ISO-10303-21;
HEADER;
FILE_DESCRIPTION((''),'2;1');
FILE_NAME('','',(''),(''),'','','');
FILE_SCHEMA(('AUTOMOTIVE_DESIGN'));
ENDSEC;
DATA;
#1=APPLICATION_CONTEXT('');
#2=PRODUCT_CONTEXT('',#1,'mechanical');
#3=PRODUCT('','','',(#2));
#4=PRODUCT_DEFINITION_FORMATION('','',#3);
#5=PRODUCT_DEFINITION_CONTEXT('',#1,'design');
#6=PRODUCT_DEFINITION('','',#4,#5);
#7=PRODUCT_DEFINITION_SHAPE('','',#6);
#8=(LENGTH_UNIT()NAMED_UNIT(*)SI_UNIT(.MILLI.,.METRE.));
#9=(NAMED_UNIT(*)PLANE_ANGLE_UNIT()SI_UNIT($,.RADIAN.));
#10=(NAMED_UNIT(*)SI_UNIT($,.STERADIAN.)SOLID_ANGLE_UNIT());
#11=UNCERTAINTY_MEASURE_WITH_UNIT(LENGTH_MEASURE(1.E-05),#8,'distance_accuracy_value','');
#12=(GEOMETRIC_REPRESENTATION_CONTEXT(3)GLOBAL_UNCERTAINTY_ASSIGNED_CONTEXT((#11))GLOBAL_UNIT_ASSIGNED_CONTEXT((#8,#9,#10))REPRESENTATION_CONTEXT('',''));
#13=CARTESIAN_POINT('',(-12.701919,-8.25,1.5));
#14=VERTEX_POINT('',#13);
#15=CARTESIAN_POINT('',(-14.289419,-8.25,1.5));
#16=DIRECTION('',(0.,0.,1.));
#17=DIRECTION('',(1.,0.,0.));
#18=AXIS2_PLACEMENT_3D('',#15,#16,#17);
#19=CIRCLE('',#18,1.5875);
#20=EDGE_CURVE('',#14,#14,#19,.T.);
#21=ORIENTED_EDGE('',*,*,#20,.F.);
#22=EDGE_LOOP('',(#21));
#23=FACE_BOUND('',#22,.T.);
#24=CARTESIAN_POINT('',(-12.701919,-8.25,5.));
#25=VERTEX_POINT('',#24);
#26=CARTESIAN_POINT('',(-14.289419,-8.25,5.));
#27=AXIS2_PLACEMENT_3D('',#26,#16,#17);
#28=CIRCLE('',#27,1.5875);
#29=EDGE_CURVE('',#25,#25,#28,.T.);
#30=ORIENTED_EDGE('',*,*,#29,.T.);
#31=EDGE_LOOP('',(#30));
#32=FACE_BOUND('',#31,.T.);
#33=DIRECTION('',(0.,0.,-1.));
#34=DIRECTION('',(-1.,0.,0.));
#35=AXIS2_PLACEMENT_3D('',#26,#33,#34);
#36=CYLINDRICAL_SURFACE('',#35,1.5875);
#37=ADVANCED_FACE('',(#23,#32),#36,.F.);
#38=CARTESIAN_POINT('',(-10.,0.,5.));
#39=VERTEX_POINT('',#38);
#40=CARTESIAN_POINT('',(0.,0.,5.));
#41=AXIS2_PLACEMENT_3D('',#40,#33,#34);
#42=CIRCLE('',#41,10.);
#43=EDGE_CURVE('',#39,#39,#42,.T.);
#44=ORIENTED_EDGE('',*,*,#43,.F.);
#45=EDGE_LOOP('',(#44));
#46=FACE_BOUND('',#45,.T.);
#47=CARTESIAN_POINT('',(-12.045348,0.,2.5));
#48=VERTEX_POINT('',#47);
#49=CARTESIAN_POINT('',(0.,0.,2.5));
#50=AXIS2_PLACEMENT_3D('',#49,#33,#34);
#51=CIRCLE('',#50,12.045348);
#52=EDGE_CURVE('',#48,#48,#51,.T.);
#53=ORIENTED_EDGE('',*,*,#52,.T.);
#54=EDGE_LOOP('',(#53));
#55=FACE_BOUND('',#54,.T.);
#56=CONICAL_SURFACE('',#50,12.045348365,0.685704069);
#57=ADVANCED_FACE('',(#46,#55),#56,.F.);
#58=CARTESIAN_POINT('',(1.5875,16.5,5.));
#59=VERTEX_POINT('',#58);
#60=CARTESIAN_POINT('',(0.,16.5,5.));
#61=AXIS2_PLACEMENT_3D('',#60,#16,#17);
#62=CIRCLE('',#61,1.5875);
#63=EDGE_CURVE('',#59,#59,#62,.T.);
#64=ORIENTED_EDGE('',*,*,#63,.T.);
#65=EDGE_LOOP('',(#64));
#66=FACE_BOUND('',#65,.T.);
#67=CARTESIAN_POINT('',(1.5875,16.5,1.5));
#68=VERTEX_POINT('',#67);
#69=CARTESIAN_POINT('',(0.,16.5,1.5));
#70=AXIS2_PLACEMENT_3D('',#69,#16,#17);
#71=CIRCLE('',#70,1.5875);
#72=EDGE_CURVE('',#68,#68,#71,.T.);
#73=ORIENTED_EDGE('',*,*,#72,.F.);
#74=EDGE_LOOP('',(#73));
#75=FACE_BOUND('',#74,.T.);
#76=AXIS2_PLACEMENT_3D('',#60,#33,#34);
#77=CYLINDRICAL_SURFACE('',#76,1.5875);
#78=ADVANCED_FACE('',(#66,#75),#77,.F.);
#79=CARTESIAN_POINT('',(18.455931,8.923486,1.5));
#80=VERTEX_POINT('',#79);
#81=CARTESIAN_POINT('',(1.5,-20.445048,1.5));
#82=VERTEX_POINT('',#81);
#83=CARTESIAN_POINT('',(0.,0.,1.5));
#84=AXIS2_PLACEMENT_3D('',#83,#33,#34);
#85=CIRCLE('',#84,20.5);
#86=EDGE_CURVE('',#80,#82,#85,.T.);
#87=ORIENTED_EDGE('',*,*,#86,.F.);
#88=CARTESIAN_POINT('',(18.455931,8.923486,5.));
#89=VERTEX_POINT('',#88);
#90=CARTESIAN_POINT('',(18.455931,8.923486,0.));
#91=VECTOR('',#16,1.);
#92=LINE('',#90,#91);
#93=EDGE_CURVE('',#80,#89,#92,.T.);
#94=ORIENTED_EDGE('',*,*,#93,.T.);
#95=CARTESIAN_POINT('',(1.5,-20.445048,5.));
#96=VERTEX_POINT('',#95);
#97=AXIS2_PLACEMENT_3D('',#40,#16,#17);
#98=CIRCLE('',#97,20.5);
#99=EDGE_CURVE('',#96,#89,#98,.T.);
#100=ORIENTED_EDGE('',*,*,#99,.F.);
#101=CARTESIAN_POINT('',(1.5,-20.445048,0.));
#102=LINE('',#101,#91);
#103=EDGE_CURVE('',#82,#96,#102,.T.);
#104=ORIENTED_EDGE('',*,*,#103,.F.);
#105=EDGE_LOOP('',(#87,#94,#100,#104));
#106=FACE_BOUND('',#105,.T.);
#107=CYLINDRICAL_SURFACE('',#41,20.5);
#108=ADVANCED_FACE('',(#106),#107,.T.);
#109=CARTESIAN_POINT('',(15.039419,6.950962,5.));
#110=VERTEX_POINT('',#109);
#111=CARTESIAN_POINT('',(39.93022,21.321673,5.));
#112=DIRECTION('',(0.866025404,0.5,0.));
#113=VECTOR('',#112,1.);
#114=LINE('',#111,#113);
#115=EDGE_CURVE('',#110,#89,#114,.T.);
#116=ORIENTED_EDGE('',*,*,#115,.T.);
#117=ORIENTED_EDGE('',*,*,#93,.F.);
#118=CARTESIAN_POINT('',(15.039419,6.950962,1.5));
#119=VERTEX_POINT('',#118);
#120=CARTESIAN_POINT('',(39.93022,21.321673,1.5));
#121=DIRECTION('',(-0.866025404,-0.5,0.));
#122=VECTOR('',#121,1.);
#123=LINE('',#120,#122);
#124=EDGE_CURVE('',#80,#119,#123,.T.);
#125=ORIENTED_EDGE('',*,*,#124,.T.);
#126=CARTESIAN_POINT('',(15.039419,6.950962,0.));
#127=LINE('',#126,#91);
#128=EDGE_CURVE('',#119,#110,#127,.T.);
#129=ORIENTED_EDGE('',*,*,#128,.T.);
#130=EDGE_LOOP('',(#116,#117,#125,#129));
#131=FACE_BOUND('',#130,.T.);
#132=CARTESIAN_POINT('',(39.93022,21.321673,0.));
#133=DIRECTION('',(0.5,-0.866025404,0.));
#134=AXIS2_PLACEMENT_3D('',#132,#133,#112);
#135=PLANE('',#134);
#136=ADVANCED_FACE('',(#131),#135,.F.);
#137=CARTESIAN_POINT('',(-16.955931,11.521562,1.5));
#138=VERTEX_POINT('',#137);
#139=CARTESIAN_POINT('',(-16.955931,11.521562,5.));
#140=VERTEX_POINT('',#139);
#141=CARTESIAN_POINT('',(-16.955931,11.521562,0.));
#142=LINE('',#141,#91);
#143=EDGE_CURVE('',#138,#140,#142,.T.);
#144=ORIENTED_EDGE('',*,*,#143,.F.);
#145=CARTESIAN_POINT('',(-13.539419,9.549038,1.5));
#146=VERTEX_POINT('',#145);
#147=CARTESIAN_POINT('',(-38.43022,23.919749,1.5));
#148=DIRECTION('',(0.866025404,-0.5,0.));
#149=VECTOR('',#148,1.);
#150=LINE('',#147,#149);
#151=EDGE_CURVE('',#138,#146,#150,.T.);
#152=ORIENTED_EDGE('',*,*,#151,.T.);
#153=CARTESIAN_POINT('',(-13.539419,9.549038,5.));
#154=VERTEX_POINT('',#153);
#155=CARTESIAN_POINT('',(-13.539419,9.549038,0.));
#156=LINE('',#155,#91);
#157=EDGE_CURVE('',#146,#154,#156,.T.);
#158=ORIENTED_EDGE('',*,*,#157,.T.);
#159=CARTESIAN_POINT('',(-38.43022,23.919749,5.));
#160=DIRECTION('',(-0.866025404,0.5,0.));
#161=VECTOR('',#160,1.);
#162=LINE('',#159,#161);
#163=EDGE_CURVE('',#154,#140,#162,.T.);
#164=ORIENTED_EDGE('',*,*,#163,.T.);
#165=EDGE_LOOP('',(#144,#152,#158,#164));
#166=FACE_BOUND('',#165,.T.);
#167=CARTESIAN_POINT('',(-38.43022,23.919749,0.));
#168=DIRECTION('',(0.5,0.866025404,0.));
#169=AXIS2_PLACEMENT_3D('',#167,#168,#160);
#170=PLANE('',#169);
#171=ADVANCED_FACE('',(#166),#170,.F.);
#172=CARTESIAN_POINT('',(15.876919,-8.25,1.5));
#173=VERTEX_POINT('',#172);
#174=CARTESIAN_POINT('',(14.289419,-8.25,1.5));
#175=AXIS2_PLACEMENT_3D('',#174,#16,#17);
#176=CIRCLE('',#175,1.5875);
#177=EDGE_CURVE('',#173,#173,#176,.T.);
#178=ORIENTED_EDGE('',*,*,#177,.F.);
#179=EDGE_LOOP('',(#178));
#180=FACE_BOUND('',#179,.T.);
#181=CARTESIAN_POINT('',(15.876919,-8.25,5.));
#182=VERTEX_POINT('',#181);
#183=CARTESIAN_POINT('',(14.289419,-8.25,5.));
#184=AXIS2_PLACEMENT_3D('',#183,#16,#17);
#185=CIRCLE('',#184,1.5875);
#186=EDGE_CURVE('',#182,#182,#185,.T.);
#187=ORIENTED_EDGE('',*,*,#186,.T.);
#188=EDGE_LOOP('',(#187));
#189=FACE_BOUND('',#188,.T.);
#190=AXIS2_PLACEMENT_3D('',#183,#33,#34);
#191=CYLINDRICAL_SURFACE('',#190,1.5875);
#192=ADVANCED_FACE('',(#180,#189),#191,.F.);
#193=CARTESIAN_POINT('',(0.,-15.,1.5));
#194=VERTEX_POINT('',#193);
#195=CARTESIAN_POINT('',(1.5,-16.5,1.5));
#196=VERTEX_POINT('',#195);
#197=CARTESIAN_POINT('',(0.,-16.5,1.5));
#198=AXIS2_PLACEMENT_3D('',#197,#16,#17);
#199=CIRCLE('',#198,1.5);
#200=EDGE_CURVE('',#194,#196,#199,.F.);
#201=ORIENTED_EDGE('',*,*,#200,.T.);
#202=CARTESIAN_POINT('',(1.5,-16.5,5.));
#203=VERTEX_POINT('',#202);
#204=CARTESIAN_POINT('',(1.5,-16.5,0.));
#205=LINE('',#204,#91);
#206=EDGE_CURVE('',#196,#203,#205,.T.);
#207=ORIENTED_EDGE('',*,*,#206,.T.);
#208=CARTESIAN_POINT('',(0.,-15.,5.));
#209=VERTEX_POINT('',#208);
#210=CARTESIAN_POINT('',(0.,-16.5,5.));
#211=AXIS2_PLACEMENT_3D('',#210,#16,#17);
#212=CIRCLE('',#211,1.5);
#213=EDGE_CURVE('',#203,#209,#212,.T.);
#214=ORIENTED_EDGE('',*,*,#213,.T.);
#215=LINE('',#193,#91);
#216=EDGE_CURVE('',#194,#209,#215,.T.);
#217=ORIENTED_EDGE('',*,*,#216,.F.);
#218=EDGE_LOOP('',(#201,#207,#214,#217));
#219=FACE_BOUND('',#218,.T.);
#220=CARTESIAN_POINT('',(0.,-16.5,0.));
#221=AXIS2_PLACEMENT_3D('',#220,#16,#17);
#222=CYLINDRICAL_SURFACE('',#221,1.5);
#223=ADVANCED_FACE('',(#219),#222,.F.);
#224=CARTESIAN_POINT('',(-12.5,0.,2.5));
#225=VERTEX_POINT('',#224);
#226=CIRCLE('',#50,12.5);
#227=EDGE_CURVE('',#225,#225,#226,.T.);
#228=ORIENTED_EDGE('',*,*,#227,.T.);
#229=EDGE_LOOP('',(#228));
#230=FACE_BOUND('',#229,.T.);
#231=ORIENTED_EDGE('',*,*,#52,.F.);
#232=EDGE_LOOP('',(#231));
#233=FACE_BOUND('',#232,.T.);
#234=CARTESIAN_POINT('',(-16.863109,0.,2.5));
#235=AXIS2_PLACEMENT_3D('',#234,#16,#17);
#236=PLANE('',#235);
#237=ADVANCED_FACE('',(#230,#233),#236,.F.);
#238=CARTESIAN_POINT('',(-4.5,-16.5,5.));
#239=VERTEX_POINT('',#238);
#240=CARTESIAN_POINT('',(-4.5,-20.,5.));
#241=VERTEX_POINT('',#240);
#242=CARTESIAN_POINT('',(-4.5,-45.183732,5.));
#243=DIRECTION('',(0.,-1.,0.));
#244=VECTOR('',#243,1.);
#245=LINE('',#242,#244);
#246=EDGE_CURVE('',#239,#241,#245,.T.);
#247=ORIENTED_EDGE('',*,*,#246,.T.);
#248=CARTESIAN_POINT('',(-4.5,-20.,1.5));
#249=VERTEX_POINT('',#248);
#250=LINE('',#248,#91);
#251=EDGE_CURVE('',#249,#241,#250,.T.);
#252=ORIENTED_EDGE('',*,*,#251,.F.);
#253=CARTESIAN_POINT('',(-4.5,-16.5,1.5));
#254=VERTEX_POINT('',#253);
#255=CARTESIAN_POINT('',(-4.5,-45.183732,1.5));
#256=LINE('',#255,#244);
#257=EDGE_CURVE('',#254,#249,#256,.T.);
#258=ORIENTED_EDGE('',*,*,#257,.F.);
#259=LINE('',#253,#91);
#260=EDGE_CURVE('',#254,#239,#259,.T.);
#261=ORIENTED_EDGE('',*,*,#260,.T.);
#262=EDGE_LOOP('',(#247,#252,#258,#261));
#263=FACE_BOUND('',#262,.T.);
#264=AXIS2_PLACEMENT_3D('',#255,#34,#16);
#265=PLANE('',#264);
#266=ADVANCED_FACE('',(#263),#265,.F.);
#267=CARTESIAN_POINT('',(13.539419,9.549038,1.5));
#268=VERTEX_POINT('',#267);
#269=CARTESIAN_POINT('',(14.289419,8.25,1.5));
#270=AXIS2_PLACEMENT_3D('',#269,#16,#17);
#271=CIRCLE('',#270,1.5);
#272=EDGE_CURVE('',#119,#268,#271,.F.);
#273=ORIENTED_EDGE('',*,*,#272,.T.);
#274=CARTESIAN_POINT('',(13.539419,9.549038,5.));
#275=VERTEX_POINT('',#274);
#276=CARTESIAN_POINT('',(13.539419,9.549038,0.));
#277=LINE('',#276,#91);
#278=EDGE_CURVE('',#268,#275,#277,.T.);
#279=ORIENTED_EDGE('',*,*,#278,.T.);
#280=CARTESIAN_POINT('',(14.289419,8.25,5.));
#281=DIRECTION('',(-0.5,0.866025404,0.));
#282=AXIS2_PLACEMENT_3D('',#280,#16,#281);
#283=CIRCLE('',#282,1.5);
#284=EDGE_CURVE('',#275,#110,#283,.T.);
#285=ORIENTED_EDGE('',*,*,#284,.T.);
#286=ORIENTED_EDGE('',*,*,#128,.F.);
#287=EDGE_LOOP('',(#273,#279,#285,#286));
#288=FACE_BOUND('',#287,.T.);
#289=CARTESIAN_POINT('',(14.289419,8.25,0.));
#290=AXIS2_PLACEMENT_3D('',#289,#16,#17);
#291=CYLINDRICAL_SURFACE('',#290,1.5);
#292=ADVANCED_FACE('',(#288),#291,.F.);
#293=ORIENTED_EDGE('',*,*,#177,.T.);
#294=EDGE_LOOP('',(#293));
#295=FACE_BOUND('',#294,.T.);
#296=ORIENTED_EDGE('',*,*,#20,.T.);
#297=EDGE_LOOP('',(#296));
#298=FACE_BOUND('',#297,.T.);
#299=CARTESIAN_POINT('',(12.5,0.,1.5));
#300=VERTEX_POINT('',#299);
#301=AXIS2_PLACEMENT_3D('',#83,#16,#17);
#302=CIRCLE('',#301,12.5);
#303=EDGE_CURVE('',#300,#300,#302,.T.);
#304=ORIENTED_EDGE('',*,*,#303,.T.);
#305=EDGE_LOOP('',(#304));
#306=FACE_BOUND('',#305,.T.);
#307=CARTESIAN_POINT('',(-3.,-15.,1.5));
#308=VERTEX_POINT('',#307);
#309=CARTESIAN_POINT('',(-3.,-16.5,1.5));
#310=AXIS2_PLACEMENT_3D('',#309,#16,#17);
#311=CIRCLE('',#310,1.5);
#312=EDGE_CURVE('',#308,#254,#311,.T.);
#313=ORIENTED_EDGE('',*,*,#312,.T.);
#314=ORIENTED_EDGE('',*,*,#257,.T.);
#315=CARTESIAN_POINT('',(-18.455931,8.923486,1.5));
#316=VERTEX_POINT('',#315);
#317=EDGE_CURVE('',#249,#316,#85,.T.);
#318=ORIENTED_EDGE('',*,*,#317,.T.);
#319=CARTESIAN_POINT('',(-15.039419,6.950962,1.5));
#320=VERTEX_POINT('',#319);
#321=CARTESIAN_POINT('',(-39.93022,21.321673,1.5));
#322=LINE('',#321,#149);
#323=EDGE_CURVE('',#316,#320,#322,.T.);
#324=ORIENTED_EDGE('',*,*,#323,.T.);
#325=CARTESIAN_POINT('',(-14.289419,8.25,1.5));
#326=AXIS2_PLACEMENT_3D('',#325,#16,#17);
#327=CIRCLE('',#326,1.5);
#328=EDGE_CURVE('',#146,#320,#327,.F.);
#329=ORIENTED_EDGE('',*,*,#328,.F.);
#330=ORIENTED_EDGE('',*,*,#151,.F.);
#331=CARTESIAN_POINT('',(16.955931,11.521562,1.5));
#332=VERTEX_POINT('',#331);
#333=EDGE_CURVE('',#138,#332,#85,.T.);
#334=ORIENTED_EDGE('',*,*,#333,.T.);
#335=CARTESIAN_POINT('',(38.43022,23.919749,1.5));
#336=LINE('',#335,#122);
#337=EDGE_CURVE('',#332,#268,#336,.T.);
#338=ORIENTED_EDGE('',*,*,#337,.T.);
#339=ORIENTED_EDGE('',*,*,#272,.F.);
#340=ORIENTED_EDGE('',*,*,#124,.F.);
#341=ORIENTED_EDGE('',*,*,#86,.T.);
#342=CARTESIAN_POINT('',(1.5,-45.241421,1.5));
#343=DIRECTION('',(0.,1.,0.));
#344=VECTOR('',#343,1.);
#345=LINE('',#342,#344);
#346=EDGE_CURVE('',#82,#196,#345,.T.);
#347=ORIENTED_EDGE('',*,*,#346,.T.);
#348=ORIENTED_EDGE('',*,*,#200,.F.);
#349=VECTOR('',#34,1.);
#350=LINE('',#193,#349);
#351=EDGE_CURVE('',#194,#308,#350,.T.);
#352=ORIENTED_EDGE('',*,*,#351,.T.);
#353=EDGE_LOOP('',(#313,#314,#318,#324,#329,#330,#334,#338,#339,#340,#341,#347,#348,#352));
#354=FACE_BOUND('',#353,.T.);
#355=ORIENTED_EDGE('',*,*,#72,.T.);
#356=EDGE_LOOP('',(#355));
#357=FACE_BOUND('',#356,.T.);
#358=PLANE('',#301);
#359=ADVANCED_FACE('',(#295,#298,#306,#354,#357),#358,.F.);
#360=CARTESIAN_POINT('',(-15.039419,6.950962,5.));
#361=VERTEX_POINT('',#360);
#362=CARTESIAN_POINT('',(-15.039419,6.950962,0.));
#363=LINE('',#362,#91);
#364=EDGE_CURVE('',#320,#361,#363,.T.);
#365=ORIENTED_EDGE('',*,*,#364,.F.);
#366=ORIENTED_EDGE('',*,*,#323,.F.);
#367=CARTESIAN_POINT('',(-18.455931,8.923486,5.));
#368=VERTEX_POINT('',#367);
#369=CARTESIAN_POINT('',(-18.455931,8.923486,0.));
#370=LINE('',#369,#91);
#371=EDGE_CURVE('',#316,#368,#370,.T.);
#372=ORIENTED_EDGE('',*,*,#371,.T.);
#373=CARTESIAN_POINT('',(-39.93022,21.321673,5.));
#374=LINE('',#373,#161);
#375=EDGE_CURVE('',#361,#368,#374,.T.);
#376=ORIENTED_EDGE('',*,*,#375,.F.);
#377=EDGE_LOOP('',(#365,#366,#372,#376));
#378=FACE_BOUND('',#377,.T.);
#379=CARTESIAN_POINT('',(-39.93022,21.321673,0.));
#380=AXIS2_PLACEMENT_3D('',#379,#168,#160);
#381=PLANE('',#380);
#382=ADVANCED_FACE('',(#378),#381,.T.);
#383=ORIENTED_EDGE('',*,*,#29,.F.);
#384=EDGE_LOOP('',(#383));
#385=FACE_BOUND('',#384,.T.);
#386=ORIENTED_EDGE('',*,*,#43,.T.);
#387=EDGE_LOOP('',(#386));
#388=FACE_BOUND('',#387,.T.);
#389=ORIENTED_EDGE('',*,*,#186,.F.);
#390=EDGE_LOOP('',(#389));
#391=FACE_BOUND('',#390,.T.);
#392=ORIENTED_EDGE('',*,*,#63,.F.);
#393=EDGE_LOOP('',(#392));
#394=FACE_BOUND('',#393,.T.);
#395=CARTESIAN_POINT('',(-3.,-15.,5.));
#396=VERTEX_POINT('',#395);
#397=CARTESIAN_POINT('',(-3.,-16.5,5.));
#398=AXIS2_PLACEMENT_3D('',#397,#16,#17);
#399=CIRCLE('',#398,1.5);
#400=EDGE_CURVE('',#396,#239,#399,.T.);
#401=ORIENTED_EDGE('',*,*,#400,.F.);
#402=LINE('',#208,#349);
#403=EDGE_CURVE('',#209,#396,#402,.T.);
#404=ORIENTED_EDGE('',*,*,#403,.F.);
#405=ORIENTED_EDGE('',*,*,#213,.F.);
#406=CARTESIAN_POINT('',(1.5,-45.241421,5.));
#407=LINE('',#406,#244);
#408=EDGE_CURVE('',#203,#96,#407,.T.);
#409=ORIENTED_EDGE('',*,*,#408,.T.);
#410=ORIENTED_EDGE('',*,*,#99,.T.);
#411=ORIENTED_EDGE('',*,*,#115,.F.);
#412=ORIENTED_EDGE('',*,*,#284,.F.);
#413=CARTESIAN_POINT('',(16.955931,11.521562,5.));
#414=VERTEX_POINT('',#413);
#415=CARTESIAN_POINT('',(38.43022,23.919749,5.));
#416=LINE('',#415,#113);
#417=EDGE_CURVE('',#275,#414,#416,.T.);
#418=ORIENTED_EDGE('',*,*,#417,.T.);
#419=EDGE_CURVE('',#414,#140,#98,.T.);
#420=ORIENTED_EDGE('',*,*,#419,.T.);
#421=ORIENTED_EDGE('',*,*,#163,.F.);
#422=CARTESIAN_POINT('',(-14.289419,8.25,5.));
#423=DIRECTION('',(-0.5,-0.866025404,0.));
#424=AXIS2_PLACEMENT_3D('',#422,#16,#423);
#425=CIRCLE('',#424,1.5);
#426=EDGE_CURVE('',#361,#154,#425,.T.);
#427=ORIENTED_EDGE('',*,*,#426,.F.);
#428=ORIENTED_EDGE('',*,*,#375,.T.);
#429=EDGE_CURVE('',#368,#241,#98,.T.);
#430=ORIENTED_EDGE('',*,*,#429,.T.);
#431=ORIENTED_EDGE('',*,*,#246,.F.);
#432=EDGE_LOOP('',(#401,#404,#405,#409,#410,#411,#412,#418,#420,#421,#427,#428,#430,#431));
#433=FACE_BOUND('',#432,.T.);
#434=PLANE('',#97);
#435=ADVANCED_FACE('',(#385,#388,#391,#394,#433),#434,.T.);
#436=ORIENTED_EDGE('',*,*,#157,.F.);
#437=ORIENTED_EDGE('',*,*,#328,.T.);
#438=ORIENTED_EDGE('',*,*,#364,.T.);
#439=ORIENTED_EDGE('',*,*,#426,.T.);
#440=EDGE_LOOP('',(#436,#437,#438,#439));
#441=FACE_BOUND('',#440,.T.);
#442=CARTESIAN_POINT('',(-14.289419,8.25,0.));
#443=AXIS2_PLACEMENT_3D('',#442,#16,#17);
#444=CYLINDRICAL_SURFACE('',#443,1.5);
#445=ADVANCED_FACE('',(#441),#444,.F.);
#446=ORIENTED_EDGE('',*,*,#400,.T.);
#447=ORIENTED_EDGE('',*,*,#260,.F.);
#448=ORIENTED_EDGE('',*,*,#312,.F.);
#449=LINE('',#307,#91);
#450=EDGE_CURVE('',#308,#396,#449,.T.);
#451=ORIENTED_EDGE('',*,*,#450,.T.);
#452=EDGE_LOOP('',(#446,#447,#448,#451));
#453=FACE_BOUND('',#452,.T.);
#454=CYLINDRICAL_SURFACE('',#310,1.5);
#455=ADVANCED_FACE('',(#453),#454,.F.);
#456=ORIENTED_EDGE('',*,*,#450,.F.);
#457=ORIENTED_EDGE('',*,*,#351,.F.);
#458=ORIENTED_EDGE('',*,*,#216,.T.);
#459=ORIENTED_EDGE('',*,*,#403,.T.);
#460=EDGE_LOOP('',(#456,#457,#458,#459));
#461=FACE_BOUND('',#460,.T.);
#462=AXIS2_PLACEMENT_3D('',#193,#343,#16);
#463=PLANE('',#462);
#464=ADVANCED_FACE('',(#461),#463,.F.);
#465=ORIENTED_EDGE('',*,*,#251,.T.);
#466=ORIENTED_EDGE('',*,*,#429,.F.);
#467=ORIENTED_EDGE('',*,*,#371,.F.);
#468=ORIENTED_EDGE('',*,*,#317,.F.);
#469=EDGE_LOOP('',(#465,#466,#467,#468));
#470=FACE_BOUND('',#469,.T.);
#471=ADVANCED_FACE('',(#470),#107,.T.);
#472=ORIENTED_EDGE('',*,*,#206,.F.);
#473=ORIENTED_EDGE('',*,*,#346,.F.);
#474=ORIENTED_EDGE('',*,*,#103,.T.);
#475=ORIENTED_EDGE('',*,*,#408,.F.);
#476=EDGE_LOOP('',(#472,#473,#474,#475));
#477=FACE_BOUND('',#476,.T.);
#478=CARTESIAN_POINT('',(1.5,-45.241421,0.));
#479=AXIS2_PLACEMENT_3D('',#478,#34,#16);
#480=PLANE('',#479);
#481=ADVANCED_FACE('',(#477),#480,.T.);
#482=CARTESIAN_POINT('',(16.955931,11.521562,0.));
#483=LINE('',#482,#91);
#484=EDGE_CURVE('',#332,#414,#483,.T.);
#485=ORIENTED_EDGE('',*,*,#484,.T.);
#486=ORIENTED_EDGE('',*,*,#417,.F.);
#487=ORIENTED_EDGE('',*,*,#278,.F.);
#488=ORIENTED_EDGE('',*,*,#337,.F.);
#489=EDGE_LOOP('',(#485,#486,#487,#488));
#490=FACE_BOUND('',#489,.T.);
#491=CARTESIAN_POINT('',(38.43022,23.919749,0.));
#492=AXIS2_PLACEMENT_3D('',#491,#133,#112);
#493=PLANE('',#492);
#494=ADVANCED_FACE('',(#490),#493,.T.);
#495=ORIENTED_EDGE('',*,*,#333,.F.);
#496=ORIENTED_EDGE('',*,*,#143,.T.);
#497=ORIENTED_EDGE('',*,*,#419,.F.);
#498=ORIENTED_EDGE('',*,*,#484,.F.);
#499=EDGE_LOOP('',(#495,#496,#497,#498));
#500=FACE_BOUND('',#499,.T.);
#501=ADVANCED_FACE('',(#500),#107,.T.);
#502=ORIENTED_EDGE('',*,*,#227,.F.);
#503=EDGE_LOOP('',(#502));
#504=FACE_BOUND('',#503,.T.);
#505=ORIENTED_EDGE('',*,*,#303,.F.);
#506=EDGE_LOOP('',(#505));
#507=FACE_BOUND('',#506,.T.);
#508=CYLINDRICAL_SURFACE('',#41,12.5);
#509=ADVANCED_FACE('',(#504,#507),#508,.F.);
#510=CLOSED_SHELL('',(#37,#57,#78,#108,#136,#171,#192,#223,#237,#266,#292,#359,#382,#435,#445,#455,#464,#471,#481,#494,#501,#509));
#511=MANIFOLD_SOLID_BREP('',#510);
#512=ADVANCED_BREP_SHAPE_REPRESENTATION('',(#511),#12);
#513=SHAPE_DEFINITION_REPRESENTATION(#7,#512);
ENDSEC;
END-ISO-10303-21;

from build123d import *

# Parameters (mm, degrees)
SKETCH1_R          = 20.5
SKETCH1_R_2        = 12.5
SKETCH1_R_3        = 1.5875
EXTRUDE1_DEPTH     = 5
CUT_EXTRUDE1_DEPTH = 30.419381367
CIRPATTERN1_COUNT  = 3
SKETCH3_W          = 2.5
SKETCH3_H          = 2.5
SKETCH4_W          = 20.5
SKETCH4_H          = 1.5
CUT_EXTRUDE2_DEPTH = 30.201883501


with BuildPart() as part:
    # Sketch1 → Extrude1 (new body)
    with BuildSketch(Plane.XY):
        Circle(SKETCH1_R)
        Circle(SKETCH1_R_2, mode=Mode.SUBTRACT)
        with Locations((0, 16.5)):
            Circle(SKETCH1_R_3, mode=Mode.SUBTRACT)
        with Locations((14.289419162, -8.25)):
            Circle(SKETCH1_R_3, mode=Mode.SUBTRACT)
        with Locations((-14.289419162, -8.25)):
            Circle(SKETCH1_R_3, mode=Mode.SUBTRACT)
    extrude(amount=EXTRUDE1_DEPTH)

    # Sketch2 → Cut-Extrude1 (cut, through all)
    with BuildSketch(Plane.XY.offset(5)):
        with BuildLine():
            ThreePointArc((1.5, -16.5), (0, -15), (-1.5, -16.5))
            Line((-1.5, -16.5), (-1.5, -20.4450483))
            ThreePointArc((-1.5, -20.4450483), (0, -20.5), (1.5, -20.4450483))
            Line((1.5, -20.4450483), (1.5, -16.5))
        make_face()
    cut_extrude1 = extrude(amount=-CUT_EXTRUDE1_DEPTH, mode=Mode.SUBTRACT)

    # CirPattern1: Cut-Extrude1 ×3 about axis
    cirpattern1_axis = Axis((0, 0, 5), (0, 0, -1))
    for i in range(1, CIRPATTERN1_COUNT):
        add(cut_extrude1.rotate(cirpattern1_axis, i * 360 / CIRPATTERN1_COUNT), mode=Mode.SUBTRACT)

    # Sketch3 → Revolve1 (revolve)
    with BuildSketch(Plane(origin=(0, 0, 0), x_dir=(1, 0, 0), z_dir=(0, 1, 0))):
        with Locations((-11.25, -3.75)):
            Rectangle(SKETCH3_W, SKETCH3_H)
    revolve(axis=Axis((0, 0, 0), (0, 0, 1)))

    # Sketch4 → Cut-Revolve1 (revolve, cut)
    with BuildSketch(Plane(origin=(0, 0, 0), x_dir=(1, 0, 0), z_dir=(0, 1, 0))):
        with Locations((-10.25, -0.75)):
            Rectangle(SKETCH4_W, SKETCH4_H)
    revolve(axis=Axis((0, 0, 0), (0, 0, 1)), mode=Mode.SUBTRACT)

    # Sketch5 → Cut-Extrude2 (cut, through all)
    with BuildSketch(Plane.XY.offset(5)):
        with BuildLine():
            ThreePointArc((-1.5, -16.5), (-1.060660172, -15.439339828), (0, -15))
            Line((0, -15), (-3, -15))
            ThreePointArc((-3, -15), (-4.060660172, -15.439339828), (-4.5, -16.5))
            Line((-4.5, -16.5), (-4.5, -20))
            ThreePointArc((-4.5, -20), (-3.008241512, -20.278078878), (-1.5, -20.4450483))
            Line((-1.5, -20.4450483), (-1.5, -16.5))
        make_face()
    extrude(amount=-CUT_EXTRUDE2_DEPTH, mode=Mode.SUBTRACT)

    # Sketch6 → Cut-Revolve2 (revolve, cut)
    with BuildSketch(Plane(origin=(0, 0, 0), x_dir=(1, 0, 0), z_dir=(0, 1, 0))):
        Polygon((-10, -5), (-12.045348365, -2.5), (-10, -2.5), align=None)
    revolve(axis=Axis((0, 0, 0), (0, 0, 1)), mode=Mode.SUBTRACT)


solid = part.part
